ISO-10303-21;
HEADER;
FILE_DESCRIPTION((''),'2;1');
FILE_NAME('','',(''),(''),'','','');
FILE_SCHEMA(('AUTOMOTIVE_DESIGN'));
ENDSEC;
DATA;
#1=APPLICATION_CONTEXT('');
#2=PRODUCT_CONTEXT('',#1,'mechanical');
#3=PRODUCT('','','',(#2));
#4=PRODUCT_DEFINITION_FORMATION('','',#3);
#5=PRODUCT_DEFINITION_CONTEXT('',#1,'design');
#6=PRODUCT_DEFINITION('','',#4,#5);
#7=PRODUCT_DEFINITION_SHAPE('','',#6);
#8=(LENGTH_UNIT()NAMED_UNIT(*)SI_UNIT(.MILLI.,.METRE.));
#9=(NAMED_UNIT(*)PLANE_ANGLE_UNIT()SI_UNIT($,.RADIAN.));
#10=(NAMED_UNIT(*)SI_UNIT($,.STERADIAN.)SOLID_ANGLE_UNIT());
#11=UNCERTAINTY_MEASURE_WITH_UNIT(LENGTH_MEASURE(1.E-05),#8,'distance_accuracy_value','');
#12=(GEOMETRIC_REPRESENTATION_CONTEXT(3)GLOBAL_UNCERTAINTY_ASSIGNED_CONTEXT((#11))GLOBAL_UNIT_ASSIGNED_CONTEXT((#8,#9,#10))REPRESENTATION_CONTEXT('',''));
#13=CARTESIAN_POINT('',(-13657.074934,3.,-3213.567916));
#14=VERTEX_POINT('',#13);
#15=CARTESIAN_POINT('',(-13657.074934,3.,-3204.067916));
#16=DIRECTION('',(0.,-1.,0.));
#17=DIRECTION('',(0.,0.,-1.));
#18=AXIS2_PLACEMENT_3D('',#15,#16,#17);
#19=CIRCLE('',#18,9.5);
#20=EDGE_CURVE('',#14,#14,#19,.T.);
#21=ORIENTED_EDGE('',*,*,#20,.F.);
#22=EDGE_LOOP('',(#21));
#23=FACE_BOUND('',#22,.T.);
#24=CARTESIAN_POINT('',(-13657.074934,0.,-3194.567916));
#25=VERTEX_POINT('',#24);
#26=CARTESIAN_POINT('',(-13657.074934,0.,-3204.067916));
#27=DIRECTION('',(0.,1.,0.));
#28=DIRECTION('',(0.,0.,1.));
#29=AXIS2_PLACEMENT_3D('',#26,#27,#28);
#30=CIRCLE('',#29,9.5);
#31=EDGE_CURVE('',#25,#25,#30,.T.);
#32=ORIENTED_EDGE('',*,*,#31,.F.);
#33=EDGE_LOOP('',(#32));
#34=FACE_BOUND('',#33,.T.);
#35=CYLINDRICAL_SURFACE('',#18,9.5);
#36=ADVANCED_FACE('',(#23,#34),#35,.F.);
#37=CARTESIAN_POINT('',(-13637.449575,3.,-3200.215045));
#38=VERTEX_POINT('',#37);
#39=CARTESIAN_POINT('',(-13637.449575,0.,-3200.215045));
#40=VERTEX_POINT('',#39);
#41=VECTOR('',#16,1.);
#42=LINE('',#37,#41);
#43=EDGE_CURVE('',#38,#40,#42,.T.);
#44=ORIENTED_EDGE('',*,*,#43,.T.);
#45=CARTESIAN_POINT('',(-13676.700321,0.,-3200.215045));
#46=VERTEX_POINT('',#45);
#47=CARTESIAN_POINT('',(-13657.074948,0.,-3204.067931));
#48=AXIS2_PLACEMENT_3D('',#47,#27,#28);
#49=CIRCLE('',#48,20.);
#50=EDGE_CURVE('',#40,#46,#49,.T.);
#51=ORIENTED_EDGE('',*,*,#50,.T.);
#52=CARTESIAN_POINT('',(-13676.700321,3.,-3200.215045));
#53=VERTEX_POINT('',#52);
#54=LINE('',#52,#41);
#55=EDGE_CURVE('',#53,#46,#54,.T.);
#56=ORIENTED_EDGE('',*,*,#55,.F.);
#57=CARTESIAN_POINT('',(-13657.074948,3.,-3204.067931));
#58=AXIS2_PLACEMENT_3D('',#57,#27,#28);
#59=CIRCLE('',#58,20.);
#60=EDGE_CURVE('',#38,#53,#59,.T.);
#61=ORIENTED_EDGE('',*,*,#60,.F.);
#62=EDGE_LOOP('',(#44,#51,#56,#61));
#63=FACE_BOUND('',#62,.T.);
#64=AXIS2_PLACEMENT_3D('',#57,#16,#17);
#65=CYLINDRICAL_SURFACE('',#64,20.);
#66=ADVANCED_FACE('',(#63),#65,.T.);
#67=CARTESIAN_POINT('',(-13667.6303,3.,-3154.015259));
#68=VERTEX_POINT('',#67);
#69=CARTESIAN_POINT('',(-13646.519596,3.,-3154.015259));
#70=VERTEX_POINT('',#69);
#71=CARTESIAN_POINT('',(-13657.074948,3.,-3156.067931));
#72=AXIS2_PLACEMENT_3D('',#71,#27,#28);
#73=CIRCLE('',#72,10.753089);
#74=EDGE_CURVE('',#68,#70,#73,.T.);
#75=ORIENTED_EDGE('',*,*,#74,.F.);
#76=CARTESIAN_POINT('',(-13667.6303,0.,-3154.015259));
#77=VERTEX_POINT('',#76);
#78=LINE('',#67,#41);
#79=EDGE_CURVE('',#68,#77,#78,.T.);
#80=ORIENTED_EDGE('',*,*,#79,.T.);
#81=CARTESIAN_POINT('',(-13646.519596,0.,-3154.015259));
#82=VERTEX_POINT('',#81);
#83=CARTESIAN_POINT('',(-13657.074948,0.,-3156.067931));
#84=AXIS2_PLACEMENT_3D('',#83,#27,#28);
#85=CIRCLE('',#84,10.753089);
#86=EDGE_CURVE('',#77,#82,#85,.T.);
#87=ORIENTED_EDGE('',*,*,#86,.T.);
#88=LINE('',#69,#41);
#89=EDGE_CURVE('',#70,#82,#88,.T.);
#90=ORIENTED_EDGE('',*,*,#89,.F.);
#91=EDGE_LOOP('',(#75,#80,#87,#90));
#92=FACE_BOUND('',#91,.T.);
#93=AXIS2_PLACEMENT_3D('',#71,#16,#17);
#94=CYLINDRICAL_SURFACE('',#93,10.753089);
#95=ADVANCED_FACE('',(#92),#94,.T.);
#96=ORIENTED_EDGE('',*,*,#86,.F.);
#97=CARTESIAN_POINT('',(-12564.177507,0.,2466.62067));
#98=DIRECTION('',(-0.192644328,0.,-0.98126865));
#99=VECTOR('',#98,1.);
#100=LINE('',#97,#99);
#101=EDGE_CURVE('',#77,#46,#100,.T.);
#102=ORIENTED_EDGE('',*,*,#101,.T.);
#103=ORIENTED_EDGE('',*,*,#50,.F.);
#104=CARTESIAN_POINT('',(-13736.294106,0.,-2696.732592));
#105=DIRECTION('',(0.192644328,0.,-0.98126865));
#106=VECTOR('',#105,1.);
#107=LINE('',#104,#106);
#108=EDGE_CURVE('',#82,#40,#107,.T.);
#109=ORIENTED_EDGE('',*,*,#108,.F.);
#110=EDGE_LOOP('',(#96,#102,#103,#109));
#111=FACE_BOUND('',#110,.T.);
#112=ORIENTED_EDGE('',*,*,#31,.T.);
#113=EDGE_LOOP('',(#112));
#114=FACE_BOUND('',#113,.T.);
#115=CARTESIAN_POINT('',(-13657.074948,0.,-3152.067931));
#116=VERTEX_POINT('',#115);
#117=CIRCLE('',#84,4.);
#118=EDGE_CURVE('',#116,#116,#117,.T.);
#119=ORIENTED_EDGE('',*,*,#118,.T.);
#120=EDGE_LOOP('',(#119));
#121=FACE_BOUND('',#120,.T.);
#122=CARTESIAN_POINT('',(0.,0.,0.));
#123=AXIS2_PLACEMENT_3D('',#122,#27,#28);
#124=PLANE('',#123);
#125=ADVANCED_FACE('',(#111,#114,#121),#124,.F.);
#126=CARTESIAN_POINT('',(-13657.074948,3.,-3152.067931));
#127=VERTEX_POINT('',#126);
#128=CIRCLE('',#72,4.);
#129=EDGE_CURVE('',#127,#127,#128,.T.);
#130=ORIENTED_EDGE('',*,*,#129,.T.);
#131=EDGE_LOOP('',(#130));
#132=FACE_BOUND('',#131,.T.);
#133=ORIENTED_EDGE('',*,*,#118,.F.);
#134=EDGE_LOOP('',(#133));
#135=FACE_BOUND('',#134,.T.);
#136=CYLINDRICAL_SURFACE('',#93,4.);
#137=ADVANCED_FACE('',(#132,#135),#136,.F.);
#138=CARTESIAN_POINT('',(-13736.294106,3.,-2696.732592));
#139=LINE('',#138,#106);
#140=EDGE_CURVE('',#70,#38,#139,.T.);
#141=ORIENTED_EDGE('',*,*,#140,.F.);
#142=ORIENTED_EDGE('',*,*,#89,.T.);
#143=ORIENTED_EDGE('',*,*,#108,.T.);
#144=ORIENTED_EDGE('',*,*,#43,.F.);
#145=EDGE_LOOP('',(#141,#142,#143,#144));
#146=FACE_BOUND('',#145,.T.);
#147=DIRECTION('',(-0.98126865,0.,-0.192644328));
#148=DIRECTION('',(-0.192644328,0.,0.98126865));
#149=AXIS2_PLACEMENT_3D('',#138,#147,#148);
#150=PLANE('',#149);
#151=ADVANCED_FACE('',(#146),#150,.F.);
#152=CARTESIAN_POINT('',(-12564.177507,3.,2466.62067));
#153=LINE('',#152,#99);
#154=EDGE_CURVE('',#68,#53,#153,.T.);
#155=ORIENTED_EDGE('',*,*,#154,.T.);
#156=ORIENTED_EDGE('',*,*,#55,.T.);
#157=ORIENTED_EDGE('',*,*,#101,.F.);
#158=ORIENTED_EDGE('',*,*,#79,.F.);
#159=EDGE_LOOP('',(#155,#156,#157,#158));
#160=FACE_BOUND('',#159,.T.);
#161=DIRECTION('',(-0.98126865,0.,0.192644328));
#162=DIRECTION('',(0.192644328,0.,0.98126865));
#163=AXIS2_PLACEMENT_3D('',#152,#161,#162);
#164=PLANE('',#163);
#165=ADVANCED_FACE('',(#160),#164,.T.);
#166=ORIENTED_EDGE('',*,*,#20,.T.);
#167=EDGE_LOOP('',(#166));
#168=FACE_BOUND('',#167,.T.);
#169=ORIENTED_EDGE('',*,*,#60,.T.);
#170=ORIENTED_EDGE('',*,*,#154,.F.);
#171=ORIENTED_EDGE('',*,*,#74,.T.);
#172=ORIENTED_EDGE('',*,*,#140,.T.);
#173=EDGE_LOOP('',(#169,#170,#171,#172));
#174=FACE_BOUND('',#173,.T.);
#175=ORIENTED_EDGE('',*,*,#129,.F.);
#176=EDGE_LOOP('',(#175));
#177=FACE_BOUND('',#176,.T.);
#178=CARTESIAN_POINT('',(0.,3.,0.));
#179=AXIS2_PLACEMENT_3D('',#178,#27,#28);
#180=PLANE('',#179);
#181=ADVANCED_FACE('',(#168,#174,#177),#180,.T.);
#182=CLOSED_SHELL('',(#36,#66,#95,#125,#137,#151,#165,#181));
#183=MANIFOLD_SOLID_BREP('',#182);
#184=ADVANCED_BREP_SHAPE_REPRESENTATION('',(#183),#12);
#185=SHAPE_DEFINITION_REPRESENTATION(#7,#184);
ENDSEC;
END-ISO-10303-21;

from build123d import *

# Parameters (mm, degrees)
SKETCH1_R               = 3.999999916
BOSS_EXTRUDE1_DEPTH     = 3
CUT_EXTRUDE3_DEPTH      = 14052.939444196
CUT_EXTRUDE3_DEPTH_BACK = 14052.939444196
SKETCH3_R               = 9.5


with BuildPart() as part:
    # Sketch1 → Boss-Extrude1 (new body)
    with BuildSketch(Plane(origin=(0, 0, 0), x_dir=(1, 0, 0), z_dir=(0, 1, 0))):
        with BuildLine():
            Line((-13667.630300179, 3154.015259161), (-13676.700320557, 3200.215044723))
            ThreePointArc((-13676.700320557, 3200.215044723), (-13657.074947978, 3224.067930782), (-13637.449575399, 3200.215044723))
            Line((-13637.449575399, 3200.215044723), (-13646.519595777, 3154.015259161))
            ThreePointArc((-13646.519595777, 3154.015259161), (-13657.074947978, 3145.314842225), (-13667.630300179, 3154.015259161))
        make_face()
        with Locations(Location((-13657.074947978, 3156.067931204, 0), (0, 0, 269.999999999))):
            Circle(SKETCH1_R, mode=Mode.SUBTRACT)
        Polygon((-13663.074951578, 3198.067969394), (-13651.074950322, 3198.067909928), (-13651.074919654, 3210.067922748), (-13663.074916837, 3210.067922748), align=None, mode=Mode.SUBTRACT)
    extrude(amount=BOSS_EXTRUDE1_DEPTH)

    # Sketch3 → Cut-Extrude3 (cut, two sides: drawn at the far end of the back side and taken through both)
    with BuildSketch(Plane.XZ.offset(-CUT_EXTRUDE3_DEPTH_BACK)):
        with Locations(Location((-13657.07493358, -3204.067916338, 0), (0, 0, 270))):
            Circle(SKETCH3_R)
    extrude(amount=CUT_EXTRUDE3_DEPTH + CUT_EXTRUDE3_DEPTH_BACK, mode=Mode.SUBTRACT)


solid = part.part
